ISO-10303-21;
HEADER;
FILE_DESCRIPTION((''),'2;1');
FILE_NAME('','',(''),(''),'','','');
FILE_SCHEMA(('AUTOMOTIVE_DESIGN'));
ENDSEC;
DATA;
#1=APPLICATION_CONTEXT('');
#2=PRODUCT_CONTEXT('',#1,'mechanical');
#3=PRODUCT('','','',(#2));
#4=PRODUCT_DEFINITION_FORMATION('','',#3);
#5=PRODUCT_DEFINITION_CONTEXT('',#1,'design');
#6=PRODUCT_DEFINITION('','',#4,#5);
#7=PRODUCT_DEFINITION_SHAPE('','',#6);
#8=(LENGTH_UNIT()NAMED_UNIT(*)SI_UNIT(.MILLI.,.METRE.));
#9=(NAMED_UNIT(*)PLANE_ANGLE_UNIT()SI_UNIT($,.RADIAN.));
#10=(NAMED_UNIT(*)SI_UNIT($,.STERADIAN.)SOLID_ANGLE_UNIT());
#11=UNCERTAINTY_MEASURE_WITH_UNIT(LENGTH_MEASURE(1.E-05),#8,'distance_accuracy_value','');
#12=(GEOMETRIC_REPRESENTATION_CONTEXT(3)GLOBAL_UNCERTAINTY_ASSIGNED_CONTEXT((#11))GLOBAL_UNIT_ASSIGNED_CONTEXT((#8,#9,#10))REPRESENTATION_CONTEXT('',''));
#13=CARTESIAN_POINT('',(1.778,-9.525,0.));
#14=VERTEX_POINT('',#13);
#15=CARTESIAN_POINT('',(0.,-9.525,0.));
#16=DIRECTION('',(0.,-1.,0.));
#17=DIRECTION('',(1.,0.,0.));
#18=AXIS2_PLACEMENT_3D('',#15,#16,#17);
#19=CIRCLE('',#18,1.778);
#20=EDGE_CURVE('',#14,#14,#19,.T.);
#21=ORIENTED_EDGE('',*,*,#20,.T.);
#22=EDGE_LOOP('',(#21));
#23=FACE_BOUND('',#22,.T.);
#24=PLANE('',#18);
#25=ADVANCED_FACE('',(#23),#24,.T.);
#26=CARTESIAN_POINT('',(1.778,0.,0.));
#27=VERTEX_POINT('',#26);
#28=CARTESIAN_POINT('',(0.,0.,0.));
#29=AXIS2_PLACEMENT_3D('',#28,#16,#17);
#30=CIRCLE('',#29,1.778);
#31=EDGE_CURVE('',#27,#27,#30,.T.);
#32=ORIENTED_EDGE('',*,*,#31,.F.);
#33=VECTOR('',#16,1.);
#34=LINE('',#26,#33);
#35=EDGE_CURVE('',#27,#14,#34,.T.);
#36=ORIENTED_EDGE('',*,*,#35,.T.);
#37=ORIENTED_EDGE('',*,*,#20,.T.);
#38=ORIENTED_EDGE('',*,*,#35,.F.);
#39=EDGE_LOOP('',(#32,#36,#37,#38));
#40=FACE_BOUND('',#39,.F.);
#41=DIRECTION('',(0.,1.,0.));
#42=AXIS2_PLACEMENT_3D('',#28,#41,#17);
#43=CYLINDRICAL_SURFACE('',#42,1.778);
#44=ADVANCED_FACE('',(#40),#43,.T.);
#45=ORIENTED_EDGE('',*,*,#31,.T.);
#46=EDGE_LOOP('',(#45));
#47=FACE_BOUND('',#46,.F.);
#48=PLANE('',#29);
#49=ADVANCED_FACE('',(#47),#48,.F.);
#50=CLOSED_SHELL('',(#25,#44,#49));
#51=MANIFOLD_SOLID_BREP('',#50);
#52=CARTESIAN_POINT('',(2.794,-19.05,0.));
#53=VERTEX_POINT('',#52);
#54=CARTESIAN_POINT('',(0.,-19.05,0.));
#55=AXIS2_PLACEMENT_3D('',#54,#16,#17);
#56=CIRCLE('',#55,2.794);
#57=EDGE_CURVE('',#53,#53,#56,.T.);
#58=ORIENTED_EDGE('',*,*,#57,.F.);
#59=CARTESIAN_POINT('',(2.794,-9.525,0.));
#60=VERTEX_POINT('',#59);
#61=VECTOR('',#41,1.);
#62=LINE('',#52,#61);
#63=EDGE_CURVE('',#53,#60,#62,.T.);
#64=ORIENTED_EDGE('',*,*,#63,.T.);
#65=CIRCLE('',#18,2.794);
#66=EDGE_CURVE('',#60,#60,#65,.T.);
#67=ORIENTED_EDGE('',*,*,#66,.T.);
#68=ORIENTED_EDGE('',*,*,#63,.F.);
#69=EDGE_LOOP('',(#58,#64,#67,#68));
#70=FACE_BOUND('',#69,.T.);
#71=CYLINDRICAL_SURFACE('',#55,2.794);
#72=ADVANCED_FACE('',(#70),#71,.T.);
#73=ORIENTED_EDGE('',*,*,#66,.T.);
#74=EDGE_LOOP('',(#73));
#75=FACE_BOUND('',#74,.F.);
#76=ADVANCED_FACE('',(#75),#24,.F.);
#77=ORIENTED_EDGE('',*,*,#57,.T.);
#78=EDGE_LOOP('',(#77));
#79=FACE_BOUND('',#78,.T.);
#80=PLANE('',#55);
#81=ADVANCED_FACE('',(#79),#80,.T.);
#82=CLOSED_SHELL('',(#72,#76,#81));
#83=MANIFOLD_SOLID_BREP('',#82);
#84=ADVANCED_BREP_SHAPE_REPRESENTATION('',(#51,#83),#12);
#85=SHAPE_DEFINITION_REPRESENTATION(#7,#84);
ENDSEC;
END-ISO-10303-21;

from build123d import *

# Parameters (mm, degrees)
F0_R     = 1.778
F3_DEPTH = 9.525
F2_R     = 2.794
F4_DEPTH = 9.525


with BuildPart() as f3:
    # F0 (on Front) → F3 (new body)
    with BuildSketch(Plane.XZ):
        Circle(F0_R)
    extrude(amount=F3_DEPTH)


with BuildPart() as f4:
    # F2 (on offset) → F4 (new body)
    with BuildSketch(Plane.XZ.offset(19.05)):
        Circle(F2_R)
    extrude(amount=-F4_DEPTH)


solid = Compound([f3.part, f4.part])
